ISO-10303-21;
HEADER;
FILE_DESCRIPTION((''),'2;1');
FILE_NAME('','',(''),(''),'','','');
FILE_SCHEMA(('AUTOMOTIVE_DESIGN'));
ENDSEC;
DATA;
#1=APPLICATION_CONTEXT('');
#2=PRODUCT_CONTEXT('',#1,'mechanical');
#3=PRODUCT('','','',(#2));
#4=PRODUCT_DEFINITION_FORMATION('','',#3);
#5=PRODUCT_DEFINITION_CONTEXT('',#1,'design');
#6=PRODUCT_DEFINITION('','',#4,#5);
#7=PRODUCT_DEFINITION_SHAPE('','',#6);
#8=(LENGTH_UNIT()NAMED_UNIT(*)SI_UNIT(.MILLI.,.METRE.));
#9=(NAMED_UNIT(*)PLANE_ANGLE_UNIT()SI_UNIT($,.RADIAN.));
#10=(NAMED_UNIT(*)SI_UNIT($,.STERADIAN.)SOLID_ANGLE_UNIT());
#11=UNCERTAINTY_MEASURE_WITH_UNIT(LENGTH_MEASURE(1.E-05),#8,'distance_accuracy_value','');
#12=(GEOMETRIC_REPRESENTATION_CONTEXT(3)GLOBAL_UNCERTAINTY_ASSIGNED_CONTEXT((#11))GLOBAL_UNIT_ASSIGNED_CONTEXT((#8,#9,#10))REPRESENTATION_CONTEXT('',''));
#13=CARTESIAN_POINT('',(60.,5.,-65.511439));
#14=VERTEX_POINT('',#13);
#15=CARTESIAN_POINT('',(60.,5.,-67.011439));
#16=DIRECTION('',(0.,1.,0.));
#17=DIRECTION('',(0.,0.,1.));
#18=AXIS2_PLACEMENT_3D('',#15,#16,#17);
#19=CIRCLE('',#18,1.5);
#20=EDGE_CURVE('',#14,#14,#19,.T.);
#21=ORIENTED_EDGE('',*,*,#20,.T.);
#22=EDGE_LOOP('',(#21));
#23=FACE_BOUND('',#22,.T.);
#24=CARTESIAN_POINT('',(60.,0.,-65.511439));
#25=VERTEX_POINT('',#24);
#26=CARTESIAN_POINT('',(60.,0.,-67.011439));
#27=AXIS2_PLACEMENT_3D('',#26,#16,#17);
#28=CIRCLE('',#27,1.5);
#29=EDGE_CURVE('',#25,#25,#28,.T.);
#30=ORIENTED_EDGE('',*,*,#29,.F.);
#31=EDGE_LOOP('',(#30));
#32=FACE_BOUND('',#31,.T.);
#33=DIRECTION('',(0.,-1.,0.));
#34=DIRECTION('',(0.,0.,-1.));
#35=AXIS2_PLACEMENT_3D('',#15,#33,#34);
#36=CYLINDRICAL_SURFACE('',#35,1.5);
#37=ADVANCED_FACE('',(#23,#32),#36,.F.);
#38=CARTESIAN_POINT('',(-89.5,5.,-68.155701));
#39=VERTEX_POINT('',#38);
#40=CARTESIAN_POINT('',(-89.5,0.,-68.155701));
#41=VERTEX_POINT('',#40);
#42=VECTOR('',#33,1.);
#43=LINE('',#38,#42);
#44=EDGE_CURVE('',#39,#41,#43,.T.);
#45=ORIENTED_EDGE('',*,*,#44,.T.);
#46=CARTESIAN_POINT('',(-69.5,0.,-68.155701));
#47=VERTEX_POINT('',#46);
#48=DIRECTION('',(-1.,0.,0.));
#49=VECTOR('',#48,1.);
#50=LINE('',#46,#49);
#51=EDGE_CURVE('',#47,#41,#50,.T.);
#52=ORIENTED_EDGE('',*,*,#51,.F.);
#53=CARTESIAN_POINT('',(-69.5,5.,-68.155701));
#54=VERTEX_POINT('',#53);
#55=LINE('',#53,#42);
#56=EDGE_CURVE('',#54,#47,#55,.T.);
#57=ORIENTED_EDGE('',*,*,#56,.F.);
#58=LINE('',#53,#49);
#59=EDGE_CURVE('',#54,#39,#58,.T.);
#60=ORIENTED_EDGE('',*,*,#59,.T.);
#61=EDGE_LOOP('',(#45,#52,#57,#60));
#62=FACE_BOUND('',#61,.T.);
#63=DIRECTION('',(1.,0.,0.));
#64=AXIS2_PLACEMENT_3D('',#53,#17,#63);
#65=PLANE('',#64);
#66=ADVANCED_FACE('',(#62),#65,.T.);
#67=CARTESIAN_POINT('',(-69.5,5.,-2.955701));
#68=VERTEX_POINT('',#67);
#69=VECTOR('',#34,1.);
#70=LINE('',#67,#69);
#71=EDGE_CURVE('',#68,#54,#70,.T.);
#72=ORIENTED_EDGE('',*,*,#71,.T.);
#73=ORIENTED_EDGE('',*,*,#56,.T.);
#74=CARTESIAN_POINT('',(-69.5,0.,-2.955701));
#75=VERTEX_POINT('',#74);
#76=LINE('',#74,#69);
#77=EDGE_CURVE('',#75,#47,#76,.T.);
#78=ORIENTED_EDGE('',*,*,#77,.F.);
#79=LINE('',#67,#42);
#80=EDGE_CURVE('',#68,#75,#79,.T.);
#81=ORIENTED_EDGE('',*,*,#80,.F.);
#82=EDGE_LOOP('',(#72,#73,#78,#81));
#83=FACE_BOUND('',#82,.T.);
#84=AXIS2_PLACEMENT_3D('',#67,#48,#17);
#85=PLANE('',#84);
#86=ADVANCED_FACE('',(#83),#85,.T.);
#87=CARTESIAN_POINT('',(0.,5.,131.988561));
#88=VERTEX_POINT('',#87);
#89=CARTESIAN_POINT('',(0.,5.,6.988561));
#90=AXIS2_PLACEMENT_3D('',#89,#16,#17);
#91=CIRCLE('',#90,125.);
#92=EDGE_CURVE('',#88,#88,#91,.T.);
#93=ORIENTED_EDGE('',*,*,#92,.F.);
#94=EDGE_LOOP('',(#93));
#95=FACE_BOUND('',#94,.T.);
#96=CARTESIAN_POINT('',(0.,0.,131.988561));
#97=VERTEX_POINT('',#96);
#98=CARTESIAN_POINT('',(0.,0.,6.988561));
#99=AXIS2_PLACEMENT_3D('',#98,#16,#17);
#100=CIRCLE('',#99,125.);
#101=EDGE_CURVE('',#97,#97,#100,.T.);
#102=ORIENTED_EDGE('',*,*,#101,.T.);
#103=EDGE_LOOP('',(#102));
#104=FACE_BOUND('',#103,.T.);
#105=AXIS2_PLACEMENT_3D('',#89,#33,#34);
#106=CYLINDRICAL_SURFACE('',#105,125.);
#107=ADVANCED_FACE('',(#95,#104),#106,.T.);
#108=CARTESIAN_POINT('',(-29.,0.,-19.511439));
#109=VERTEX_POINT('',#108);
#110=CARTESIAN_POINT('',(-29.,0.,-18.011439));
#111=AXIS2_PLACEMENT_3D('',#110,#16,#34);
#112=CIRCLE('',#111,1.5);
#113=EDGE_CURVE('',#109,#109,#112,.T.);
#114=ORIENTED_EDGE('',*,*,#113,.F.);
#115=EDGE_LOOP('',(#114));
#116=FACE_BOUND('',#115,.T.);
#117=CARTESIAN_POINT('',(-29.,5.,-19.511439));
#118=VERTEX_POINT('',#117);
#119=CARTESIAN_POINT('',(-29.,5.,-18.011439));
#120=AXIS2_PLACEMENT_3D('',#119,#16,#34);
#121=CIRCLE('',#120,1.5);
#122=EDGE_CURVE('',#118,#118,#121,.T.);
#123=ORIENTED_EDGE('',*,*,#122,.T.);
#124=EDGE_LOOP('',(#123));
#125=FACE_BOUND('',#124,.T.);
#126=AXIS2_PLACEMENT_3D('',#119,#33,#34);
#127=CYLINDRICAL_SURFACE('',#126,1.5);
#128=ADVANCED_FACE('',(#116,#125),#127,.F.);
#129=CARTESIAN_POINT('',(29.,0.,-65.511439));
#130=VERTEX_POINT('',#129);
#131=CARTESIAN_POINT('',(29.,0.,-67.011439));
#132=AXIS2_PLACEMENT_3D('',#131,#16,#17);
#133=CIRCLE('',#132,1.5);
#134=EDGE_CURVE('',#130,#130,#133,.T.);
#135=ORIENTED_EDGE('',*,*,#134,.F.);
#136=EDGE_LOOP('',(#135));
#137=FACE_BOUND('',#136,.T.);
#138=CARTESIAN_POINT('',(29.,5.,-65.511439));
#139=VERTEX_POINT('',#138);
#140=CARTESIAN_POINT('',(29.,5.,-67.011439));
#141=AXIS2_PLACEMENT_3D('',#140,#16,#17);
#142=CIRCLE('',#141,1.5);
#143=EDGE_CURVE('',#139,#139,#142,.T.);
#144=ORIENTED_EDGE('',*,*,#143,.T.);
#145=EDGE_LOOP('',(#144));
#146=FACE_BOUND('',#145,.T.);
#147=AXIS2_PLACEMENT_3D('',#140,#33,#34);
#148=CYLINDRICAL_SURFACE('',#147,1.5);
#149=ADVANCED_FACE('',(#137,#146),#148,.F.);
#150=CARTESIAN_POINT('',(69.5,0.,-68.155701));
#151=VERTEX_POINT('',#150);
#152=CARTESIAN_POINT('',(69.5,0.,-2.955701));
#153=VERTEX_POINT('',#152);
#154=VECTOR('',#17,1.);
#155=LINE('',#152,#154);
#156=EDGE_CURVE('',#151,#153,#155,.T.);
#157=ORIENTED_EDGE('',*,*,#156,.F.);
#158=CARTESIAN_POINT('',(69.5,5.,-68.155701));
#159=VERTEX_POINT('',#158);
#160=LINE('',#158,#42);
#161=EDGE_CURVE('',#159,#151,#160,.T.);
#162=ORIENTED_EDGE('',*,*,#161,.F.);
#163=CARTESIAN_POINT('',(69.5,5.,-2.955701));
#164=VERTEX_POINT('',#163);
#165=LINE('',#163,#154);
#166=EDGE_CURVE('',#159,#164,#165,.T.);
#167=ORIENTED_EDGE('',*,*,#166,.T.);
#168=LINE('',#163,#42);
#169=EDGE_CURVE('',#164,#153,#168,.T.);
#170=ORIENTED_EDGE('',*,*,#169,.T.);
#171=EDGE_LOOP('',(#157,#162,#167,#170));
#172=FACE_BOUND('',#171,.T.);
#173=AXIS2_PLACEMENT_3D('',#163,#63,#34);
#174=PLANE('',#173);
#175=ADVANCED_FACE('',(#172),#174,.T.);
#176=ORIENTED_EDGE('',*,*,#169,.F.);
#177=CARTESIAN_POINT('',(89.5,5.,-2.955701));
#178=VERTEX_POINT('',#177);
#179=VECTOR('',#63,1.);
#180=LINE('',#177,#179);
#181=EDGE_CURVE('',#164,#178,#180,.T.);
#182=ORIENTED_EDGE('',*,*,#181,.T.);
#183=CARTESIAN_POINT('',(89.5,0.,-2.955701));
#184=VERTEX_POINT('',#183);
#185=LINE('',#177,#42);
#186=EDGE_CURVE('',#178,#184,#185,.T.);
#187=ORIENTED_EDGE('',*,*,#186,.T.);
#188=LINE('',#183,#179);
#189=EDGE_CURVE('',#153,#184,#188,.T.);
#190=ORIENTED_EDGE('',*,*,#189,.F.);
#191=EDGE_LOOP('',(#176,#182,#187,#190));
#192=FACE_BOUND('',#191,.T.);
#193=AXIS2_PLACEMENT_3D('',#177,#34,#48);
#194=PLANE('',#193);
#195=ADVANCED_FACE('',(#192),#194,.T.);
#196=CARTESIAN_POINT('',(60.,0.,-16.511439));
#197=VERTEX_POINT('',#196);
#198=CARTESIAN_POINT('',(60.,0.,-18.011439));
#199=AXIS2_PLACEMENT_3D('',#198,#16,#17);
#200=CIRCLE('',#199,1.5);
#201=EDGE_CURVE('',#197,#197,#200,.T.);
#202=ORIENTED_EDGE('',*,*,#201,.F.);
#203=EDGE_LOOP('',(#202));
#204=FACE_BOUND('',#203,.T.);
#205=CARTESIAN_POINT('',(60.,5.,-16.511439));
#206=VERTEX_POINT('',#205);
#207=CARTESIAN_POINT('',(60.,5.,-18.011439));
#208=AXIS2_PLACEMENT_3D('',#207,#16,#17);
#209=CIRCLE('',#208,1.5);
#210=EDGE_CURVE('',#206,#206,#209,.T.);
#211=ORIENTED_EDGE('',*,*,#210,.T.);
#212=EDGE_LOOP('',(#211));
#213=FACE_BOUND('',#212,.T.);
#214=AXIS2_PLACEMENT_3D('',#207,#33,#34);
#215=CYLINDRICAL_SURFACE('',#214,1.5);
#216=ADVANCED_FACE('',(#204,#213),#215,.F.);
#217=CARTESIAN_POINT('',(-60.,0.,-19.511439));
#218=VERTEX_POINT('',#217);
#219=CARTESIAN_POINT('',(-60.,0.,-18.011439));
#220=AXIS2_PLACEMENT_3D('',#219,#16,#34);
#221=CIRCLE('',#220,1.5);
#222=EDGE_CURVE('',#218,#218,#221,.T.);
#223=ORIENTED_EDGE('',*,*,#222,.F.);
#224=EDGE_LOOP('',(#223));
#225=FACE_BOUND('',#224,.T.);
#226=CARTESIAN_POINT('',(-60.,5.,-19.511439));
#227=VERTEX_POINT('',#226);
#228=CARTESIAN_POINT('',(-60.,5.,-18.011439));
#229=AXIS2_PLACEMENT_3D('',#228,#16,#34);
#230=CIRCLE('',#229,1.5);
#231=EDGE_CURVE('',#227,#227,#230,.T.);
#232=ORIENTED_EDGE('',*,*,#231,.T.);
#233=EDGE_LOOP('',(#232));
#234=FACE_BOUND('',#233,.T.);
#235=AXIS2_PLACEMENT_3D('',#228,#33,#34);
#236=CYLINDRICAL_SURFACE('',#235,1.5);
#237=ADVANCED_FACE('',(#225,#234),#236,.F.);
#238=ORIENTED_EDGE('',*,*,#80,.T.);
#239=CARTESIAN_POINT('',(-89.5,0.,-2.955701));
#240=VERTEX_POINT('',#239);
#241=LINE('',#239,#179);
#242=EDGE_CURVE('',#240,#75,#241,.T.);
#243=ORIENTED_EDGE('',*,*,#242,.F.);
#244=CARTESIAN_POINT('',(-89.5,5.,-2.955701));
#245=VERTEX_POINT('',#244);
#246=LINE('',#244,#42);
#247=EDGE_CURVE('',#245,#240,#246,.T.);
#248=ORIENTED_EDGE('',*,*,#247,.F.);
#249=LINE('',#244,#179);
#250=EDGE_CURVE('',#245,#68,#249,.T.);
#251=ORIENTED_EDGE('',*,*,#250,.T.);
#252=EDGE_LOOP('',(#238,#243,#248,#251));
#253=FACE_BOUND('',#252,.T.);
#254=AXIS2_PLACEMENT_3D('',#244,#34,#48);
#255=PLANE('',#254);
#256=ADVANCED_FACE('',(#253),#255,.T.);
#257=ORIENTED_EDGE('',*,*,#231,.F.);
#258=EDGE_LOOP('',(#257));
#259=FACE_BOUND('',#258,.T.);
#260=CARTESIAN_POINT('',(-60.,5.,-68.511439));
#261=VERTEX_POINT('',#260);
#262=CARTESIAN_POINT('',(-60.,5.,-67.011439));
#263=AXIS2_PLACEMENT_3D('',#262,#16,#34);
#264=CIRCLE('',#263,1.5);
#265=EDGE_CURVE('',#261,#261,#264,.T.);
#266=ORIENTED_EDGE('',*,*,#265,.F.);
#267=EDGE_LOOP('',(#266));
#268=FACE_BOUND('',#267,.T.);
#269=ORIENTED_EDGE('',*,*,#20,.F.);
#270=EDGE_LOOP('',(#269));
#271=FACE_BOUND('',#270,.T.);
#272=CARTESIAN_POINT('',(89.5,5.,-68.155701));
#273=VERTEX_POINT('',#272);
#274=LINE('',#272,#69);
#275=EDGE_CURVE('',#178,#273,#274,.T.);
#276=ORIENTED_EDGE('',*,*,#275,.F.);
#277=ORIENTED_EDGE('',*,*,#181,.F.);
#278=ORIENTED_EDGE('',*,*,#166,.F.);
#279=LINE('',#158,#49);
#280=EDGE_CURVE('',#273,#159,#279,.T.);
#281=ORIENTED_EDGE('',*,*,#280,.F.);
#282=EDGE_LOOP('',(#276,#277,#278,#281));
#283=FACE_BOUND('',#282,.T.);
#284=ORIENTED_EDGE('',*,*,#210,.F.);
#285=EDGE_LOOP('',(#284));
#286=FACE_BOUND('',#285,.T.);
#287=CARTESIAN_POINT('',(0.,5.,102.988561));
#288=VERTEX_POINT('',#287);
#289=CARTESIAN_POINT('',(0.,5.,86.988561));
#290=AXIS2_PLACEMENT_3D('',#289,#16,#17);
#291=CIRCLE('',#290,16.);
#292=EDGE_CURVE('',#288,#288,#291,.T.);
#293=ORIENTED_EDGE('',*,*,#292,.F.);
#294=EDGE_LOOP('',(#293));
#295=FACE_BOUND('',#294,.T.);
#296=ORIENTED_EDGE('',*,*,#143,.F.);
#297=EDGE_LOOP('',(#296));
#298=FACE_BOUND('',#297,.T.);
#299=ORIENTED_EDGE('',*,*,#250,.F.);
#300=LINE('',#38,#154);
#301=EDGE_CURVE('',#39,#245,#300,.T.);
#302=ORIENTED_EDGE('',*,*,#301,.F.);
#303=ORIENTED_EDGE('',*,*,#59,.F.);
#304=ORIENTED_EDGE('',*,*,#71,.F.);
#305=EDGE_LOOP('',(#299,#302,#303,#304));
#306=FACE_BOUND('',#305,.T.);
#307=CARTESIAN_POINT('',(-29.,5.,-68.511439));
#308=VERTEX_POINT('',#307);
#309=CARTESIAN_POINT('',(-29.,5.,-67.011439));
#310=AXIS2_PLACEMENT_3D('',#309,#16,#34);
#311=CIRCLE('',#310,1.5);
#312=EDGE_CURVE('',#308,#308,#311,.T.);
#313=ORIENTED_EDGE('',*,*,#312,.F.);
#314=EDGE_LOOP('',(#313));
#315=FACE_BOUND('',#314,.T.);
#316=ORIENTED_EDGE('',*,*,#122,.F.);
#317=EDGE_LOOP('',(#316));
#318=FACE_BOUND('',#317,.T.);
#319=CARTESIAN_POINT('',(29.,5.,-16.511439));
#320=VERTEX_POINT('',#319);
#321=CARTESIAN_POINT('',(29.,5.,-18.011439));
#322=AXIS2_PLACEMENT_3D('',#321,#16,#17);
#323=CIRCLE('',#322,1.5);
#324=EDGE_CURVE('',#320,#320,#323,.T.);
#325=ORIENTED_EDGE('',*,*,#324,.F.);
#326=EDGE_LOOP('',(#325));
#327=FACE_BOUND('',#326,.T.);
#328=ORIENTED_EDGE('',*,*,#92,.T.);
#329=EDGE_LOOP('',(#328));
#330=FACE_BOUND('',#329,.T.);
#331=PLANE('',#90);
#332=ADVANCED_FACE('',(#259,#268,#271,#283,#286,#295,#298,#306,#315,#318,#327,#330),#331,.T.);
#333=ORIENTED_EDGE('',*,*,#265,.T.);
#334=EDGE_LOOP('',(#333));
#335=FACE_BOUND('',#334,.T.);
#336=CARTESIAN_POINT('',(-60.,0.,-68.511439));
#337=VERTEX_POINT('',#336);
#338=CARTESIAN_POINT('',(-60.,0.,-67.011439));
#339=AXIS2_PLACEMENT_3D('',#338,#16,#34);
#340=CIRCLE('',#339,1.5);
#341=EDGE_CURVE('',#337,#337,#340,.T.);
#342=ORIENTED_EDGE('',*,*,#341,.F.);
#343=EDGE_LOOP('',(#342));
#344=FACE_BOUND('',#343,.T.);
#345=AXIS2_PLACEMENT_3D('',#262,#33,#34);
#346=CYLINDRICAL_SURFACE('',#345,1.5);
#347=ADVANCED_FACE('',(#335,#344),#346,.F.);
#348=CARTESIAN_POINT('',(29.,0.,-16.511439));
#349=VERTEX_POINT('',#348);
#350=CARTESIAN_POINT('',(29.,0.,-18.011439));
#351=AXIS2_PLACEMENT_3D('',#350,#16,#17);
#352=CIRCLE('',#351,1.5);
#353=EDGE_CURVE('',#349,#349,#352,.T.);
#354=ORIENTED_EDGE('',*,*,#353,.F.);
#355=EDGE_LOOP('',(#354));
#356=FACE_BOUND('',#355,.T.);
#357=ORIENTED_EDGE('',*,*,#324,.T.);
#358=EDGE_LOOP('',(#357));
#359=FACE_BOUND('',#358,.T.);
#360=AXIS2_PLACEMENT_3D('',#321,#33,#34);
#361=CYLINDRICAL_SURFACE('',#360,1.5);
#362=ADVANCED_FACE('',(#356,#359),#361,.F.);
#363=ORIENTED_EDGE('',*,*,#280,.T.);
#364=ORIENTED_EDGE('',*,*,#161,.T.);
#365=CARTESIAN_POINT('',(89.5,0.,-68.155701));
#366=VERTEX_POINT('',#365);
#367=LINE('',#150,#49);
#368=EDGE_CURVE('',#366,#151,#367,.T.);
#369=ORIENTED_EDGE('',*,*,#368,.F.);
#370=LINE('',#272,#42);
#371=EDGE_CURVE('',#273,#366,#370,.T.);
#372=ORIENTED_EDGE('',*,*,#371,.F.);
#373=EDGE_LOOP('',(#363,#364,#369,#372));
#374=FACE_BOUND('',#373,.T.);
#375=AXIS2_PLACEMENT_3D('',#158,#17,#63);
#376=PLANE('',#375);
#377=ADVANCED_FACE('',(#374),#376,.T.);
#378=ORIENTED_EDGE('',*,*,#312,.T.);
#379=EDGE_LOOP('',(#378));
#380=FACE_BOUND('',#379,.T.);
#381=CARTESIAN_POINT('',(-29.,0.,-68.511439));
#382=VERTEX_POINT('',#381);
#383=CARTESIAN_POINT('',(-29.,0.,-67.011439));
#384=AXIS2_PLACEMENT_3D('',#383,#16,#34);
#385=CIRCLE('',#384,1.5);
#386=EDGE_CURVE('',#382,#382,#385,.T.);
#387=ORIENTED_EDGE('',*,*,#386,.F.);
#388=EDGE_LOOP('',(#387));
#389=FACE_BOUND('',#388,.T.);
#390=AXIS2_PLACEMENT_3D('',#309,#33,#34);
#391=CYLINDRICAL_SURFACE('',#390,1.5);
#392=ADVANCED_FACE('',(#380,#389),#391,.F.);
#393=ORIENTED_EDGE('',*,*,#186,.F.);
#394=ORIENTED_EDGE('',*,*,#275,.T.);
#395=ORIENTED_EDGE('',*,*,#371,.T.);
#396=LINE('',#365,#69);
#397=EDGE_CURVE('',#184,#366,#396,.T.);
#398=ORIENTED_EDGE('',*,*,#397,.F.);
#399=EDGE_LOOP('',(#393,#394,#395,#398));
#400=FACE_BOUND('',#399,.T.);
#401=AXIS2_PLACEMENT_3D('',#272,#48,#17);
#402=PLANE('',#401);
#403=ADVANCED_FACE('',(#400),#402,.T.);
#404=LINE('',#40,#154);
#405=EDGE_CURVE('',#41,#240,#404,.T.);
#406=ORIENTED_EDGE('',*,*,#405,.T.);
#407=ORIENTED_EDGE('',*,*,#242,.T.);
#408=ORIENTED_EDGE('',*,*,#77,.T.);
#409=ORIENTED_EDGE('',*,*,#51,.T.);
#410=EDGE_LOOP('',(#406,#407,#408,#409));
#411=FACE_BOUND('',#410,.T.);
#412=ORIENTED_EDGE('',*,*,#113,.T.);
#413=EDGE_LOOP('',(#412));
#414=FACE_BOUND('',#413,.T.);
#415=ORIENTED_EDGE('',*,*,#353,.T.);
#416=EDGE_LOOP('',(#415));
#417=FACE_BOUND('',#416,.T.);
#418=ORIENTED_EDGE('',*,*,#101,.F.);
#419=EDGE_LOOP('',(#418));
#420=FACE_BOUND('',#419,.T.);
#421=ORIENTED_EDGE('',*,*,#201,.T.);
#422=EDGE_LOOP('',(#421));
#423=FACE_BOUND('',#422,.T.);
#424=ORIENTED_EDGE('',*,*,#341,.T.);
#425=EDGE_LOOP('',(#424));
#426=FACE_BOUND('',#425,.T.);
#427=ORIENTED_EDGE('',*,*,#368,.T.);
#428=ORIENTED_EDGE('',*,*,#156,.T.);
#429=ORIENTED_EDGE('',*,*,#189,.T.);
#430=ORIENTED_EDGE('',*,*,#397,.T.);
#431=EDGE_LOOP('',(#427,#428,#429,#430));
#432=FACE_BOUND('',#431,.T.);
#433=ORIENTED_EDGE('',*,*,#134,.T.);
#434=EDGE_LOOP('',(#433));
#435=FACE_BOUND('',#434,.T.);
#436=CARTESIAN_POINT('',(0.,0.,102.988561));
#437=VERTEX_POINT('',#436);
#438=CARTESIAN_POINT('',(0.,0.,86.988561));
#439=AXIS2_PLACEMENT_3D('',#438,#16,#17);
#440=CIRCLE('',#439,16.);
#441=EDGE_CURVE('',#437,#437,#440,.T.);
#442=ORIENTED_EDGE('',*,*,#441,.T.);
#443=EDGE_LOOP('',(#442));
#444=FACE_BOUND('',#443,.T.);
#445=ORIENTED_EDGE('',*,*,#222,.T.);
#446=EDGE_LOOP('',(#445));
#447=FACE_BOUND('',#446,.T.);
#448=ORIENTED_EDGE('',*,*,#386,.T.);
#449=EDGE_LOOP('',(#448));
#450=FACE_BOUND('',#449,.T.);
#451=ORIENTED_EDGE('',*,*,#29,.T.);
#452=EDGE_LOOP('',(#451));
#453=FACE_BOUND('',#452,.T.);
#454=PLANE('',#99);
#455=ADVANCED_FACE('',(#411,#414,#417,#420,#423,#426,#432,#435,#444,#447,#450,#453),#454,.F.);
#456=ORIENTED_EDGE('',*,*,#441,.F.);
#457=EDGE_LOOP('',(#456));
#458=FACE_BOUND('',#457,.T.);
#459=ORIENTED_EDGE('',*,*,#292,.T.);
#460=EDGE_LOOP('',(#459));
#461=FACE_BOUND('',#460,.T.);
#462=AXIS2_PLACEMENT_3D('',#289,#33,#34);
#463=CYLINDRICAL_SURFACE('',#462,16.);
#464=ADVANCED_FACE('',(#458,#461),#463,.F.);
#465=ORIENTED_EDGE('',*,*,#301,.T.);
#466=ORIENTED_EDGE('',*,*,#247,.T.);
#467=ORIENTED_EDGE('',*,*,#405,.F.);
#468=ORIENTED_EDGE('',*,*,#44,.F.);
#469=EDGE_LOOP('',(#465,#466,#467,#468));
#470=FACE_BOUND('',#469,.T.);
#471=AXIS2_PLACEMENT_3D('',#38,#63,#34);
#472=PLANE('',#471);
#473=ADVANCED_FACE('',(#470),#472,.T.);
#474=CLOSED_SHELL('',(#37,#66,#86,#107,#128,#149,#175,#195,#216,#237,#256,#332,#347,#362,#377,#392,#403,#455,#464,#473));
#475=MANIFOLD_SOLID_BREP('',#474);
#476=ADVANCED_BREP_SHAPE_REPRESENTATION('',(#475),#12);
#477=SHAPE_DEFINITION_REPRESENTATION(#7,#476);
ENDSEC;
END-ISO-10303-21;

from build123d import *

# Parameters (mm, degrees)
SKETCH1_R           = 125
SKETCH1_R_2         = 16
SKETCH1_R_3         = 1.5
SKETCH1_W           = 20
SKETCH1_H           = 65.2
BOSS_EXTRUDE1_DEPTH = 5


with BuildPart() as part:
    # Sketch1 → Boss-Extrude1 (new body)
    with BuildSketch(Plane(origin=(0, 0, 0), x_dir=(1, 0, 0), z_dir=(0, 1, 0))):
        with Locations((0, -6.988561475)):
            Circle(SKETCH1_R)
        with Locations((0, -86.988561475)):
            Circle(SKETCH1_R_2, mode=Mode.SUBTRACT)
        with Locations((60, 18.011438525)):
            Circle(SKETCH1_R_3, mode=Mode.SUBTRACT)
        with Locations((60, 67.011438525)):
            Circle(SKETCH1_R_3, mode=Mode.SUBTRACT)
        with Locations((29, 67.011438525)):
            Circle(SKETCH1_R_3, mode=Mode.SUBTRACT)
        with Locations((29, 18.011438525)):
            Circle(SKETCH1_R_3, mode=Mode.SUBTRACT)
        with Locations((-60, 18.011438525)):
            Circle(SKETCH1_R_3, mode=Mode.SUBTRACT)
        with Locations((-29, 18.011438525)):
            Circle(SKETCH1_R_3, mode=Mode.SUBTRACT)
        with Locations((-29, 67.011438525)):
            Circle(SKETCH1_R_3, mode=Mode.SUBTRACT)
        with Locations((-60, 67.011438525)):
            Circle(SKETCH1_R_3, mode=Mode.SUBTRACT)
        with Locations((79.5, 35.555700821)):
            Rectangle(SKETCH1_W, SKETCH1_H, mode=Mode.SUBTRACT)
        with Locations((-79.5, 35.555700821)):
            Rectangle(SKETCH1_W, SKETCH1_H, mode=Mode.SUBTRACT)
    extrude(amount=BOSS_EXTRUDE1_DEPTH)


solid = part.part
